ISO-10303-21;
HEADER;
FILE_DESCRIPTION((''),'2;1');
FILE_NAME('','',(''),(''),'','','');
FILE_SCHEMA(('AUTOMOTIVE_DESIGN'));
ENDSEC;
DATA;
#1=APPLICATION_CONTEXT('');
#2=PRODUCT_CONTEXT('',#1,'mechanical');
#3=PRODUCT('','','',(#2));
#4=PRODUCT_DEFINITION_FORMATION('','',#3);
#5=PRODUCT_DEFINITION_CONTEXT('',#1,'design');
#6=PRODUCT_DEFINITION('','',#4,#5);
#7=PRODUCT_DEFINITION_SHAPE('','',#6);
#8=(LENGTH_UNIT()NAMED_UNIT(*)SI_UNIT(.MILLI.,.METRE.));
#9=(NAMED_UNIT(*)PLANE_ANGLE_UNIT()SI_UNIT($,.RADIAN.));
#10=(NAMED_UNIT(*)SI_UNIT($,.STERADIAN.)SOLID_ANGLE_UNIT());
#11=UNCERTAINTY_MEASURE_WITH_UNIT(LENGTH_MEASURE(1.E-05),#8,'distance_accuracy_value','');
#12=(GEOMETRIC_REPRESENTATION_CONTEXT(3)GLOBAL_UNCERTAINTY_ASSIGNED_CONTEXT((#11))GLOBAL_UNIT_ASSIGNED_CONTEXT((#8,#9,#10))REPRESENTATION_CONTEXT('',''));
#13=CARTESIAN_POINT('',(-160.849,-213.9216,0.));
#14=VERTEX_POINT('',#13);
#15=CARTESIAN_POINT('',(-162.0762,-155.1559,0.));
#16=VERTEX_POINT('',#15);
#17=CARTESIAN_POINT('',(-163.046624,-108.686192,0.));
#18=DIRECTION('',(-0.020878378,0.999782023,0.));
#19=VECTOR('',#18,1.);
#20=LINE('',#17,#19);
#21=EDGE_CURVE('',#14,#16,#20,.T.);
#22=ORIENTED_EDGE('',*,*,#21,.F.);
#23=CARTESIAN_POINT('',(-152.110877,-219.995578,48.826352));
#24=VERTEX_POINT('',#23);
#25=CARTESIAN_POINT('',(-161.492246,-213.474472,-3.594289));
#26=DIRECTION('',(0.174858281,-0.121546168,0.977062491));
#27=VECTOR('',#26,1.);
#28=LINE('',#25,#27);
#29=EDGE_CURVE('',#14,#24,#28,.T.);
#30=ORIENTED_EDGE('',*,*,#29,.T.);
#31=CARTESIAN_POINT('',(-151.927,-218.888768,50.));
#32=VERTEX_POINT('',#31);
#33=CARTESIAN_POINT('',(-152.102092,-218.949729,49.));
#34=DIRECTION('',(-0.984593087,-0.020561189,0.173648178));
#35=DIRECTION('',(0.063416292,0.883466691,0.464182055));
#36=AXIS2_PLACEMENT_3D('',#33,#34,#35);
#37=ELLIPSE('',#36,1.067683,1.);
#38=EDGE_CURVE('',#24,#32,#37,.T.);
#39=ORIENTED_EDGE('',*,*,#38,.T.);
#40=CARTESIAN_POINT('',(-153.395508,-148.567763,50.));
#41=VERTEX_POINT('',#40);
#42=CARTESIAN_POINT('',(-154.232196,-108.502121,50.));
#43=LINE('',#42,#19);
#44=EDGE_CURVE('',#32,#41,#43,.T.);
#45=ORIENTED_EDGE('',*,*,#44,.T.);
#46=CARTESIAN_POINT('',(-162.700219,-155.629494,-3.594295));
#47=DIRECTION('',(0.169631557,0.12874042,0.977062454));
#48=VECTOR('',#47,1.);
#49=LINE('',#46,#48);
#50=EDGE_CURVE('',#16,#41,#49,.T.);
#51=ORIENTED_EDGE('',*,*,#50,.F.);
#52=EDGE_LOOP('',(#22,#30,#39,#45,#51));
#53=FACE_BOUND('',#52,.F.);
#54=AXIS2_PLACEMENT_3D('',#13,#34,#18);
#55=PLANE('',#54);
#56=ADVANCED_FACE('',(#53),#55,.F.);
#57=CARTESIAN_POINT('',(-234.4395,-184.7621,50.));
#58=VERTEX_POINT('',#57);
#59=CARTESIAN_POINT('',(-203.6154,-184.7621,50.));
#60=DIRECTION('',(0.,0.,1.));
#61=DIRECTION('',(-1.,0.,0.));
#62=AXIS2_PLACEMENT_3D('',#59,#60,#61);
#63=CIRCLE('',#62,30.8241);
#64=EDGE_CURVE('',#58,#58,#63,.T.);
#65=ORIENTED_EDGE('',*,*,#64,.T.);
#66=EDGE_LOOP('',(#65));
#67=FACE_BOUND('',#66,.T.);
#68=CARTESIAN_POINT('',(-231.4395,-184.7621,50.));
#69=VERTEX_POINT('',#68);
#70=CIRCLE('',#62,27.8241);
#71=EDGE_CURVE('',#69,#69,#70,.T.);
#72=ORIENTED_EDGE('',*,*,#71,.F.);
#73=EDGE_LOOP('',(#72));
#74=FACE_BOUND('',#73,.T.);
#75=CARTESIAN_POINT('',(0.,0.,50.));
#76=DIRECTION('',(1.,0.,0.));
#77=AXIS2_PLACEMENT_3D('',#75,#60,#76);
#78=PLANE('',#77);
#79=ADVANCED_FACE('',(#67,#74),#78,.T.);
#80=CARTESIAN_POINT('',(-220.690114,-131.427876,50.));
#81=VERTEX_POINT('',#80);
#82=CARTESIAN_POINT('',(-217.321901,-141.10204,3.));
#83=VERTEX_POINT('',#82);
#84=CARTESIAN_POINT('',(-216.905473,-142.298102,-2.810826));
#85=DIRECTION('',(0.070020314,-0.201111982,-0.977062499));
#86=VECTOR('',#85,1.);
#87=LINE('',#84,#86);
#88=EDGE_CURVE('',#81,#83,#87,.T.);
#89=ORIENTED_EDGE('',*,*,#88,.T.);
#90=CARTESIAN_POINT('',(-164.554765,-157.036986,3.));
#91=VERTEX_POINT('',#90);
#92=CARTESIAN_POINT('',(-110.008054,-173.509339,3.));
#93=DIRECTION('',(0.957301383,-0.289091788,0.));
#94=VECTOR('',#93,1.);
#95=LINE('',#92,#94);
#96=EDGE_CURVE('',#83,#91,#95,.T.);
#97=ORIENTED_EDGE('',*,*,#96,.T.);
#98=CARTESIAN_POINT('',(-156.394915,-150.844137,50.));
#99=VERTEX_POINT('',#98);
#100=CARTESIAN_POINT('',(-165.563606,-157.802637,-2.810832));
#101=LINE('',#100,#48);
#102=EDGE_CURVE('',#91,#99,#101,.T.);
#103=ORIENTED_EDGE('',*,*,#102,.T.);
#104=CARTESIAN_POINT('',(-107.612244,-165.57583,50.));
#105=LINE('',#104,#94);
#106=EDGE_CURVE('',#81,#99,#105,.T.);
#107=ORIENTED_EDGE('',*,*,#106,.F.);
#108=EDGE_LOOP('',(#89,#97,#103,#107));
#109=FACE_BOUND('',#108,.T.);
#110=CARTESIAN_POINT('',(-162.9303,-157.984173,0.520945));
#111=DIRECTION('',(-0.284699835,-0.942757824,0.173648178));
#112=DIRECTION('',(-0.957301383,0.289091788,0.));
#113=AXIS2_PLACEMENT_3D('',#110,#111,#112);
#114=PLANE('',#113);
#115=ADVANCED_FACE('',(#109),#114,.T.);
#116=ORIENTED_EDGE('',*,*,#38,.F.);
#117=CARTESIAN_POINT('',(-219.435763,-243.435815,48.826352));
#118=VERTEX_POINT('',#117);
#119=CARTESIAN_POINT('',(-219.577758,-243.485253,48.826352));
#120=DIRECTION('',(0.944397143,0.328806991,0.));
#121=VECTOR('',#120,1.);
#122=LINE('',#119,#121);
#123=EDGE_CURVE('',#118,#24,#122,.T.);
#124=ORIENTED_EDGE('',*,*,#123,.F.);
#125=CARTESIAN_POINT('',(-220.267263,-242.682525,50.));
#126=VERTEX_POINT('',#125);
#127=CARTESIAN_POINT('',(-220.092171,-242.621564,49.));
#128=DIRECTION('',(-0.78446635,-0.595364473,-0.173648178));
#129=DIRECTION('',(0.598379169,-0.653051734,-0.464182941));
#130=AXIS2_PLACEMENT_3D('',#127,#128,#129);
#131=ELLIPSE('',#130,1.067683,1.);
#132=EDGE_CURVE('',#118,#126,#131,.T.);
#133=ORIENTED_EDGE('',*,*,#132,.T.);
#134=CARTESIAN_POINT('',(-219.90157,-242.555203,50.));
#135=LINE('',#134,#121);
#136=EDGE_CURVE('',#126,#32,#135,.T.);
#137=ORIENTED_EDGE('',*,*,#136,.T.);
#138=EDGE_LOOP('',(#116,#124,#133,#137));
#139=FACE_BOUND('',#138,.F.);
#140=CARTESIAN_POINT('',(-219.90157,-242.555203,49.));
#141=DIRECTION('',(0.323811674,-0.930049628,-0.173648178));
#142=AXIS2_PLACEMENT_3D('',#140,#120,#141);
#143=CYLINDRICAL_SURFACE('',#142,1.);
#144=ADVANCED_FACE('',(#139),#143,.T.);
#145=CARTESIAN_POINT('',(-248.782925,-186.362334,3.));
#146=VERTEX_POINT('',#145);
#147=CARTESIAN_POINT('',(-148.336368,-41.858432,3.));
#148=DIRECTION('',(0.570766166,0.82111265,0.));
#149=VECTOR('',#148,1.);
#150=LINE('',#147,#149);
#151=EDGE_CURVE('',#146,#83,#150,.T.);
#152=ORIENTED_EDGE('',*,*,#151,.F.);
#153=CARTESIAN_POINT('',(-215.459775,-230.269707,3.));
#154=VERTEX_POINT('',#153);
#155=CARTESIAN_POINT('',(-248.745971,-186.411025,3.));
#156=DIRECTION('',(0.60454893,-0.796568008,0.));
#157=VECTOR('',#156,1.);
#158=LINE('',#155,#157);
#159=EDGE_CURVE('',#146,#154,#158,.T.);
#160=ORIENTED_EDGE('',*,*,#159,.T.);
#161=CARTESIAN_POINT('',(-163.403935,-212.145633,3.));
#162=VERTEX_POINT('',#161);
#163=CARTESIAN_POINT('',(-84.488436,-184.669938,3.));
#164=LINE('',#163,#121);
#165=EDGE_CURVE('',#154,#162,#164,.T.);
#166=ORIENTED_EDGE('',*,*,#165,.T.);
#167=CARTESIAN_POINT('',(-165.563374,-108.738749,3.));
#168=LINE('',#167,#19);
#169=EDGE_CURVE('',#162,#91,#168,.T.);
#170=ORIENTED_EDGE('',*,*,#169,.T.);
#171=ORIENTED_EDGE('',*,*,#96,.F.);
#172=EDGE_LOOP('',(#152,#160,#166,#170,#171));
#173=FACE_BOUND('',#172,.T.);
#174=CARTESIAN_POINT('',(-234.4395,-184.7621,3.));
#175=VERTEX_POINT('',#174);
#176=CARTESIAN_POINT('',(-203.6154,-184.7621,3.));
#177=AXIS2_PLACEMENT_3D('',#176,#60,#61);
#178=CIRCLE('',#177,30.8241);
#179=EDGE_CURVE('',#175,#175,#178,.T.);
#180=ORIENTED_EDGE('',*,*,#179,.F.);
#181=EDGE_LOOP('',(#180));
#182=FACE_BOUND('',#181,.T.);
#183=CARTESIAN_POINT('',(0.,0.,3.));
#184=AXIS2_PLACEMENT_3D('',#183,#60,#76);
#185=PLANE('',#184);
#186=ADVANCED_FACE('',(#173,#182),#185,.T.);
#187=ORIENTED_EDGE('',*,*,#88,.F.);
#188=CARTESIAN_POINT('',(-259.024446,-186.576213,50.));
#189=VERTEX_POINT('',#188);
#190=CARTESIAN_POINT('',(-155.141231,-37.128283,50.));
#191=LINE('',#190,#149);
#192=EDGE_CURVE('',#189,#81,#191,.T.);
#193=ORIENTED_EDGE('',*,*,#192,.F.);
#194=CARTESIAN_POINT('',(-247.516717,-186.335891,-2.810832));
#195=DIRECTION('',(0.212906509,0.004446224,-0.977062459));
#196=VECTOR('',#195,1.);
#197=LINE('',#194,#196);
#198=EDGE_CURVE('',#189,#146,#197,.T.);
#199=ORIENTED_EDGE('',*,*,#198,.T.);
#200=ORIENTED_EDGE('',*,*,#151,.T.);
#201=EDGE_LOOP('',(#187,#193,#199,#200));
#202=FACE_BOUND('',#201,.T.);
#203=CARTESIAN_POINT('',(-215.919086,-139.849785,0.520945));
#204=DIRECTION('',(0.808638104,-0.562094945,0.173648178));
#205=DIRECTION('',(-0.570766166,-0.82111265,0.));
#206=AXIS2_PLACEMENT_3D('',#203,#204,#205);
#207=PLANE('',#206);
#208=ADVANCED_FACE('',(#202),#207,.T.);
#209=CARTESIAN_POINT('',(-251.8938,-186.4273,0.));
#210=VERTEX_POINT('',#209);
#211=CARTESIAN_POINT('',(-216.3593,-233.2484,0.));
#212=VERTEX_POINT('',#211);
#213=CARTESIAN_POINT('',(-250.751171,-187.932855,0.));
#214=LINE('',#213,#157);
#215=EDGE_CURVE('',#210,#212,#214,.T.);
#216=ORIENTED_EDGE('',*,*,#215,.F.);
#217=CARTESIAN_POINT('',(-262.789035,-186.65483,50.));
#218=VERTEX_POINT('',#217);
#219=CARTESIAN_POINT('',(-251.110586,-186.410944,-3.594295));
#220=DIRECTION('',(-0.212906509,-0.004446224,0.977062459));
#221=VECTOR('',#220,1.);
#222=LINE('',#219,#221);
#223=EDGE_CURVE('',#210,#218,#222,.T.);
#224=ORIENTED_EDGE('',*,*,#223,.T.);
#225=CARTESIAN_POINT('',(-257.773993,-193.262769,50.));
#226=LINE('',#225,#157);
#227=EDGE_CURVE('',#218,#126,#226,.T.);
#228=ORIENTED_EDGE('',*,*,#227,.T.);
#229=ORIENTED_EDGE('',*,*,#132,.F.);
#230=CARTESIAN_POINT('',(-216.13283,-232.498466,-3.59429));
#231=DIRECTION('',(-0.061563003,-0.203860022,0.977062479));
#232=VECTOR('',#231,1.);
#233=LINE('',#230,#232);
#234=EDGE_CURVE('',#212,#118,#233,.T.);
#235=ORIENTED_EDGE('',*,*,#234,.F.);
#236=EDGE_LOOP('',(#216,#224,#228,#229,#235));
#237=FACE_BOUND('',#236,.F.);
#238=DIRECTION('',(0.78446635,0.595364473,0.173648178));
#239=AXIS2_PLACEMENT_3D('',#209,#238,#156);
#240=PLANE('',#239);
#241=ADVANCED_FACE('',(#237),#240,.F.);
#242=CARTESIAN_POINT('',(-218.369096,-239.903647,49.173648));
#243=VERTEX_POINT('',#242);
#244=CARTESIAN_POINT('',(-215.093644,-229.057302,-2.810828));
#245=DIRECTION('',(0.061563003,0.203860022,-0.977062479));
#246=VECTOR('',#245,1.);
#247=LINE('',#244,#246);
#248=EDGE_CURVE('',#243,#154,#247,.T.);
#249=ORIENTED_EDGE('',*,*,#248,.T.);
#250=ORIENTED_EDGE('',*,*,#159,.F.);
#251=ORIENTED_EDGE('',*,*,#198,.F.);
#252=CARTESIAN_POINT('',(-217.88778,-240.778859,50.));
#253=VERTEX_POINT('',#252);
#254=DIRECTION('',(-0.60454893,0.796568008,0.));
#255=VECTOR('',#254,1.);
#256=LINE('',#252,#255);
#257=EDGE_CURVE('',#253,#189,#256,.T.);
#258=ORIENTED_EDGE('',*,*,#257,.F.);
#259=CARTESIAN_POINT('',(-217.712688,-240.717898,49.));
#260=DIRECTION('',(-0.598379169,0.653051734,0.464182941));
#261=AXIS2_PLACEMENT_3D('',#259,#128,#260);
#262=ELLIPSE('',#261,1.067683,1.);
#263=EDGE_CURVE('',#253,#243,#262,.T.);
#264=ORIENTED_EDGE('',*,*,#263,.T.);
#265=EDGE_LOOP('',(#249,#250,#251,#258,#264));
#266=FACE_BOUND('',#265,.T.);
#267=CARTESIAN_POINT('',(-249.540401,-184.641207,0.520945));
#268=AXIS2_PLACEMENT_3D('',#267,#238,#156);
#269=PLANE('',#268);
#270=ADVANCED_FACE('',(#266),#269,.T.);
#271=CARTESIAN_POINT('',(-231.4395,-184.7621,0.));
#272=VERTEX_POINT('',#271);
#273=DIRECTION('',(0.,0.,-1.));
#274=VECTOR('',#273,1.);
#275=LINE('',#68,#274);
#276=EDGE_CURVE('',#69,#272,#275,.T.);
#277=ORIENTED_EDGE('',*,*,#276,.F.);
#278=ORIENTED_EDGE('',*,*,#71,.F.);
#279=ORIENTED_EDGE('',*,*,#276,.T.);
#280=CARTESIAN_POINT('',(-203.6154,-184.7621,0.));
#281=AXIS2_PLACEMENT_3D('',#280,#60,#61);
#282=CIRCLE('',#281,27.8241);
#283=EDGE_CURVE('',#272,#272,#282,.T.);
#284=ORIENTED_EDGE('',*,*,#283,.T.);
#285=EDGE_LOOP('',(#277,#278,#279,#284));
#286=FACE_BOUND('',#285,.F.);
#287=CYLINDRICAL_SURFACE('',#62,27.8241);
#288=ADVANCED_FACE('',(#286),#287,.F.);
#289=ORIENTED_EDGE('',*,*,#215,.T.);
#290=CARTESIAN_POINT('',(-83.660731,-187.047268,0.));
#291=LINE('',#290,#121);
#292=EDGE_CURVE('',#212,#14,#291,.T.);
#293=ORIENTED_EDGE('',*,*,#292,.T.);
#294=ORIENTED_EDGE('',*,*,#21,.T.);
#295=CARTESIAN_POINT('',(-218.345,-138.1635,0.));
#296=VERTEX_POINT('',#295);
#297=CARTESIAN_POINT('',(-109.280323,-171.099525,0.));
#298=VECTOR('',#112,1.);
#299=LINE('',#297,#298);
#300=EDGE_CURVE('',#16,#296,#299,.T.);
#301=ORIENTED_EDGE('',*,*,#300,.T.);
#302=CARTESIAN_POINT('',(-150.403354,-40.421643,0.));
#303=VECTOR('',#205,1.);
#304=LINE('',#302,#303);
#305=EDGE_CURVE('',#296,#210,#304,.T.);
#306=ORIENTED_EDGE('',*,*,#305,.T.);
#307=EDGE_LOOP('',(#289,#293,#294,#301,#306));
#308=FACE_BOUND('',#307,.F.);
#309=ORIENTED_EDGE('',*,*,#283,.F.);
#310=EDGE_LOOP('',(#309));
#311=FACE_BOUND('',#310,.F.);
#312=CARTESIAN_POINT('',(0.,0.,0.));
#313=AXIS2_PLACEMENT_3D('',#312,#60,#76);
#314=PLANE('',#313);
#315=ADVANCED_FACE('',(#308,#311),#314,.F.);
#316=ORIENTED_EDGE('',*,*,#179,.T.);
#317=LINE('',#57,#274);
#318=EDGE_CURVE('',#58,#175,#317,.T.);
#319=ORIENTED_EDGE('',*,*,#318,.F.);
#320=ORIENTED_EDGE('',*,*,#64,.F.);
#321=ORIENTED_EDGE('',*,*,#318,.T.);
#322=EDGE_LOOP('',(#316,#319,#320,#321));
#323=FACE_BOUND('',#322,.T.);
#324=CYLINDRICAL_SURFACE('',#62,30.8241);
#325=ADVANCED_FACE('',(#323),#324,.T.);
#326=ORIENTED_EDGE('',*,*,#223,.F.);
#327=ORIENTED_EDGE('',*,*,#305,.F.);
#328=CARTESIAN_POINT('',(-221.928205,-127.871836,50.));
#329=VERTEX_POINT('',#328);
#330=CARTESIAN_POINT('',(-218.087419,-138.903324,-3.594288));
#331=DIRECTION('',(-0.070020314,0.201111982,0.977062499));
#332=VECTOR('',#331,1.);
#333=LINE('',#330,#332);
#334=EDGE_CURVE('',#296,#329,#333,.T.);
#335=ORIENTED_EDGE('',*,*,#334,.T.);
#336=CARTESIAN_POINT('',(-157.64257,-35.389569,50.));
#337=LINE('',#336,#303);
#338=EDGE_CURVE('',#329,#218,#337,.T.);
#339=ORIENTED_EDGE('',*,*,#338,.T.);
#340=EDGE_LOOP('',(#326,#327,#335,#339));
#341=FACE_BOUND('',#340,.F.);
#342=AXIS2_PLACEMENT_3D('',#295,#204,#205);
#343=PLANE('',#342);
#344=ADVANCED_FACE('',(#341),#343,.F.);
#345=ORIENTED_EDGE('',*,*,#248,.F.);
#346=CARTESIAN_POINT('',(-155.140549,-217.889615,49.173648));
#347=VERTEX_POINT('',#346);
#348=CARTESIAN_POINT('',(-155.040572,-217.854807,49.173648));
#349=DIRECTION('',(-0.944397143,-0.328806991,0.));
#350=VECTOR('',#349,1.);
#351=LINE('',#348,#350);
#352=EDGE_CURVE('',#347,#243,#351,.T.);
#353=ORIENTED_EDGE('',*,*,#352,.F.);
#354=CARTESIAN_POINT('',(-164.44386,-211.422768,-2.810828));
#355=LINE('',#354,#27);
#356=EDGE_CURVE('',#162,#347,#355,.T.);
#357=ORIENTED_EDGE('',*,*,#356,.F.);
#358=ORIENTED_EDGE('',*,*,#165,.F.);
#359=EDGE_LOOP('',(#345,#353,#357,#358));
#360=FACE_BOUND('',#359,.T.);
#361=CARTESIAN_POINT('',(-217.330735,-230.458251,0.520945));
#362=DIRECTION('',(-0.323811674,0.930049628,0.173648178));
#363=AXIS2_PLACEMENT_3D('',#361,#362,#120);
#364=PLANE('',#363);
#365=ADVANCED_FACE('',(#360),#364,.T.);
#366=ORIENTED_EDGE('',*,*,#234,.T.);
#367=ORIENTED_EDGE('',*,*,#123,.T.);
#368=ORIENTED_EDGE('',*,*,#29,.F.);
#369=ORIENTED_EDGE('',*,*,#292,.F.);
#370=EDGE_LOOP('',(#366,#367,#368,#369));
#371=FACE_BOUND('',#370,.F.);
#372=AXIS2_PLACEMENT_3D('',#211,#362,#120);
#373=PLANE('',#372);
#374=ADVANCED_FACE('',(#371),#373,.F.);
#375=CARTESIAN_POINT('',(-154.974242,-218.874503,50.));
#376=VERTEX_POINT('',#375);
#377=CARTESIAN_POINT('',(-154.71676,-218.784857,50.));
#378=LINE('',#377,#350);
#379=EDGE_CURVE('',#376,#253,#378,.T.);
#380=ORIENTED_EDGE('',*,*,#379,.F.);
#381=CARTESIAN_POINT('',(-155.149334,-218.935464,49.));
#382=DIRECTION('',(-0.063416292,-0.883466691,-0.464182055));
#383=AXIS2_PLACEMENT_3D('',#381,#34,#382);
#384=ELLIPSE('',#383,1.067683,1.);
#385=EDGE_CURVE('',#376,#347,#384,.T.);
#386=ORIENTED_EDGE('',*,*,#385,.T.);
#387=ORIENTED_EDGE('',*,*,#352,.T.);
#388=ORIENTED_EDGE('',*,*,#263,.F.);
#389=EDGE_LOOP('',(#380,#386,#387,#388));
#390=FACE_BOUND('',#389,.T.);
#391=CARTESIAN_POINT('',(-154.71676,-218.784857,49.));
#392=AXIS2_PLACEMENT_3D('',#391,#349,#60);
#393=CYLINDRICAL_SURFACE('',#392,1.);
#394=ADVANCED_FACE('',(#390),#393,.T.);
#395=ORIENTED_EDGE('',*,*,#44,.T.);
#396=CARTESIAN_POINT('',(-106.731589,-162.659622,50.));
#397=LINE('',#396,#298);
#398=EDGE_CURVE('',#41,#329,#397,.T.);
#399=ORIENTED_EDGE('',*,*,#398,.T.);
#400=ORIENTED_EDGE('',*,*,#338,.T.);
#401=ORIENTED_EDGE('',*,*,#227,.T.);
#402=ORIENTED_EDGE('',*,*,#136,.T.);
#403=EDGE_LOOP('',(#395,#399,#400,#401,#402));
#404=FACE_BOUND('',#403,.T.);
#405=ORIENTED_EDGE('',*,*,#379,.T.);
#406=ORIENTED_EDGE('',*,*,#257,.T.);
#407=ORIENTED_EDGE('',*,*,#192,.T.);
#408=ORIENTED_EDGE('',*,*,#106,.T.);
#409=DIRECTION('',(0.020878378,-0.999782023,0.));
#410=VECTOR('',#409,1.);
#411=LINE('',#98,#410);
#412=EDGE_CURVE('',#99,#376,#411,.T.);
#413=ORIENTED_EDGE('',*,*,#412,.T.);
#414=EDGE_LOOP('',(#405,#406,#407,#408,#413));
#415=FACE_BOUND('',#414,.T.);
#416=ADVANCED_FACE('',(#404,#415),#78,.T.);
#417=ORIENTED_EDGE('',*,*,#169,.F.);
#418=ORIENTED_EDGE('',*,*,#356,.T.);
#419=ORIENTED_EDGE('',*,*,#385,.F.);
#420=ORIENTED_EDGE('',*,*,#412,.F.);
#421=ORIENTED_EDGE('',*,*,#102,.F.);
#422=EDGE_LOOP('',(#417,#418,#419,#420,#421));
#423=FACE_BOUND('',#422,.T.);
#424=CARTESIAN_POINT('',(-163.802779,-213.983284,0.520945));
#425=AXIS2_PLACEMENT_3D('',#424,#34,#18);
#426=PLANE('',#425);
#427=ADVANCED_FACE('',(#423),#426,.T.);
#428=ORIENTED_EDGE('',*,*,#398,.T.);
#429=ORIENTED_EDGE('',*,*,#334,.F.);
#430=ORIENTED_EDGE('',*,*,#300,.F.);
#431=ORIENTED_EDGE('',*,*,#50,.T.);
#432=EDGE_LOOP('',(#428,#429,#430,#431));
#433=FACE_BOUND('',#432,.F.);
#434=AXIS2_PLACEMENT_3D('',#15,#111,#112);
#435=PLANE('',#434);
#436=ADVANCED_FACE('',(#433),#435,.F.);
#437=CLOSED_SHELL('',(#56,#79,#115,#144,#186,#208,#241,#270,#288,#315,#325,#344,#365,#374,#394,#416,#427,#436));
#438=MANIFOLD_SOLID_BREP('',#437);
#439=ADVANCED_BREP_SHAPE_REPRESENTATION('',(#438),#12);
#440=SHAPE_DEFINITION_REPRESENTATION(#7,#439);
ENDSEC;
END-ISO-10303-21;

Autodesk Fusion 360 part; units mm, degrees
sketch "스케치1" plane through (0, 0, 0) normal (0, 0, 1) x (1, 0, 0)
  line L0 (-15, 6) -> (-22, -7)
  line L1 (-22, -7) -> (-9, -9)
  line L2 (-9, -9) -> (-3, 0)
  line L3 (-3, 0) -> (-12, 7)
  line L4 (3, 5) -> (3, -9.4098)
  line L5 (3, -9.4098) -> (20.2982, -14.6076)
  line L6 (20.2982, -14.6076) -> (26.171, 4.9371)
  line L7 (26.171, 4.9371) -> (7.7071, 8.424)
  line L8 (42.6307, 4.9371) -> (42, -15)
  line L9 (42, -15) -> (67.9355, -17.567)
  line L10 (67.9355, -17.567) -> (65.6256, 5.8006)
  line L11 (65.6256, 5.8006) -> (42.6307, 4.9371)
  line L12 (78.9292, 2.5635) -> (78.4348, -13.0662)
  line L13 (78.4348, -13.0662) -> (106, -18)
  arc A0 (106, -18) -> (78.9292, 2.5635) centre (112.5801, 18.7627) ccw
  line L14 (-78.1892, -7.301) -> (-40, -7.301)
  line L15 (-40, -7.301) -> (-40, 37.2455)
  arc A1 (-40, 37.2455) -> (-75, 40) centre (-57.6084, 37.2455) ccw
  line L16 (-75, 40) -> (-75, -7.301)
  line L17 (-75, -25) -> (-35, -25)
  line L18 (-35, -25) -> (-35, -65)
  line L19 (-35, -65) -> (-75, -65)
  line L20 (-75, -65) -> (-75, -25)
  line L21 (20, -31.5) -> (70, -31.5)
  line L22 (70, -31.5) -> (70, -81.5)
  line L23 (70, -81.5) -> (20, -81.5)
  line L24 (20, -81.5) -> (20, -31.5)
  curve L25
  curve L26
  curve L27
  curve L28
  curve L29 construction
  curve L30 construction
  line L31 (221.7769, -77.0241) -> (180.313, -77.0241)
  line L32 (180.313, -77.0241) -> (180.313, -31.5347)
  line L33 (180.313, -31.5347) -> (221.7769, -31.5347)
  line L34 (221.7769, -31.5347) -> (221.7769, -77.0241)
  line L35 (221.7769, -77.0241) -> (180.313, -31.5347) construction
  line L36 (180.313, -77.0241) -> (221.7769, -31.5347) construction
  circle A2 centre (-30, -160) radius 25.461
  circle A3 centre (27.6815, -165.0053) radius 31.7614
  circle A4 centre (125.6318, -141.5124) radius 31.894
  circle A5 centre (125.6318, -141.5124) radius 31.894
  circle A6 centre (157.3931, -144.4186) radius 36.4671
  circle A7 centre (190.6677, -144.4186) radius 5.5401
  circle A8 centre (152.4397, -176.5897) radius 12.8987
  circle A9 centre (125.6318, -192.8529) radius 43.2366
  circle A10 centre (125.6318, -173.4064) radius 27.8792
  line L37 (-174.3672, -75.4378) -> (-188.8141, -19.5395)
  line L38 (-188.8141, -19.5395) -> (-244.4468, -4.1017)
  line L39 (-244.4468, -4.1017) -> (-285.6328, -44.5622)
  line L40 (-285.6328, -44.5622) -> (-271.1859, -100.4605)
  line L41 (-271.1859, -100.4605) -> (-215.5532, -115.8983)
  line L42 (-215.5532, -115.8983) -> (-174.3672, -75.4378)
  line L43 (-160.849, -213.9216) -> (-162.0762, -155.1559)
  line L44 (-162.0762, -155.1559) -> (-218.345, -138.1635)
  line L45 (-218.345, -138.1635) -> (-251.8938, -186.4273)
  line L46 (-251.8938, -186.4273) -> (-216.3593, -233.2484)
  line L47 (-216.3593, -233.2484) -> (-160.849, -213.9216)
  point P0 (201.045, -54.2794)
  point P1 (-230, -60)
  point P2 (-201.9047, -185.3833)
  dimension "d1" = 40
  dimension "d2" = 40
  dimension "d3" = 50
  dimension "d4" = 50
  dimension "d5" = 50
  dimension "d6" = 60
  dimension "d7" = 60
  dimension "d8" = 60
  dimension "d9" = 50
  dimension "d10" = 50
extrude "돌출1" add sketch "스케치1" along normal blind 50 draft 10 contours L43 L44 L45 L46 L47
sketch "스케치2" plane through (0, 0, 50) normal (0, 0, 1) x (-1, 0, 0)
  circle A0 centre (203.6154, 184.7621) radius 27.8241
extrude "돌출2" cut sketch "스케치2" against normal blind 50
shell "쉘1" thickness 3 removed faces 1 at (-160.3626, -184.4905, 50)
fillet "필렛1" radius 1 2 edges at (-185.7053, -231.9111, 50) (-186.7069, -229.0342, 50)
